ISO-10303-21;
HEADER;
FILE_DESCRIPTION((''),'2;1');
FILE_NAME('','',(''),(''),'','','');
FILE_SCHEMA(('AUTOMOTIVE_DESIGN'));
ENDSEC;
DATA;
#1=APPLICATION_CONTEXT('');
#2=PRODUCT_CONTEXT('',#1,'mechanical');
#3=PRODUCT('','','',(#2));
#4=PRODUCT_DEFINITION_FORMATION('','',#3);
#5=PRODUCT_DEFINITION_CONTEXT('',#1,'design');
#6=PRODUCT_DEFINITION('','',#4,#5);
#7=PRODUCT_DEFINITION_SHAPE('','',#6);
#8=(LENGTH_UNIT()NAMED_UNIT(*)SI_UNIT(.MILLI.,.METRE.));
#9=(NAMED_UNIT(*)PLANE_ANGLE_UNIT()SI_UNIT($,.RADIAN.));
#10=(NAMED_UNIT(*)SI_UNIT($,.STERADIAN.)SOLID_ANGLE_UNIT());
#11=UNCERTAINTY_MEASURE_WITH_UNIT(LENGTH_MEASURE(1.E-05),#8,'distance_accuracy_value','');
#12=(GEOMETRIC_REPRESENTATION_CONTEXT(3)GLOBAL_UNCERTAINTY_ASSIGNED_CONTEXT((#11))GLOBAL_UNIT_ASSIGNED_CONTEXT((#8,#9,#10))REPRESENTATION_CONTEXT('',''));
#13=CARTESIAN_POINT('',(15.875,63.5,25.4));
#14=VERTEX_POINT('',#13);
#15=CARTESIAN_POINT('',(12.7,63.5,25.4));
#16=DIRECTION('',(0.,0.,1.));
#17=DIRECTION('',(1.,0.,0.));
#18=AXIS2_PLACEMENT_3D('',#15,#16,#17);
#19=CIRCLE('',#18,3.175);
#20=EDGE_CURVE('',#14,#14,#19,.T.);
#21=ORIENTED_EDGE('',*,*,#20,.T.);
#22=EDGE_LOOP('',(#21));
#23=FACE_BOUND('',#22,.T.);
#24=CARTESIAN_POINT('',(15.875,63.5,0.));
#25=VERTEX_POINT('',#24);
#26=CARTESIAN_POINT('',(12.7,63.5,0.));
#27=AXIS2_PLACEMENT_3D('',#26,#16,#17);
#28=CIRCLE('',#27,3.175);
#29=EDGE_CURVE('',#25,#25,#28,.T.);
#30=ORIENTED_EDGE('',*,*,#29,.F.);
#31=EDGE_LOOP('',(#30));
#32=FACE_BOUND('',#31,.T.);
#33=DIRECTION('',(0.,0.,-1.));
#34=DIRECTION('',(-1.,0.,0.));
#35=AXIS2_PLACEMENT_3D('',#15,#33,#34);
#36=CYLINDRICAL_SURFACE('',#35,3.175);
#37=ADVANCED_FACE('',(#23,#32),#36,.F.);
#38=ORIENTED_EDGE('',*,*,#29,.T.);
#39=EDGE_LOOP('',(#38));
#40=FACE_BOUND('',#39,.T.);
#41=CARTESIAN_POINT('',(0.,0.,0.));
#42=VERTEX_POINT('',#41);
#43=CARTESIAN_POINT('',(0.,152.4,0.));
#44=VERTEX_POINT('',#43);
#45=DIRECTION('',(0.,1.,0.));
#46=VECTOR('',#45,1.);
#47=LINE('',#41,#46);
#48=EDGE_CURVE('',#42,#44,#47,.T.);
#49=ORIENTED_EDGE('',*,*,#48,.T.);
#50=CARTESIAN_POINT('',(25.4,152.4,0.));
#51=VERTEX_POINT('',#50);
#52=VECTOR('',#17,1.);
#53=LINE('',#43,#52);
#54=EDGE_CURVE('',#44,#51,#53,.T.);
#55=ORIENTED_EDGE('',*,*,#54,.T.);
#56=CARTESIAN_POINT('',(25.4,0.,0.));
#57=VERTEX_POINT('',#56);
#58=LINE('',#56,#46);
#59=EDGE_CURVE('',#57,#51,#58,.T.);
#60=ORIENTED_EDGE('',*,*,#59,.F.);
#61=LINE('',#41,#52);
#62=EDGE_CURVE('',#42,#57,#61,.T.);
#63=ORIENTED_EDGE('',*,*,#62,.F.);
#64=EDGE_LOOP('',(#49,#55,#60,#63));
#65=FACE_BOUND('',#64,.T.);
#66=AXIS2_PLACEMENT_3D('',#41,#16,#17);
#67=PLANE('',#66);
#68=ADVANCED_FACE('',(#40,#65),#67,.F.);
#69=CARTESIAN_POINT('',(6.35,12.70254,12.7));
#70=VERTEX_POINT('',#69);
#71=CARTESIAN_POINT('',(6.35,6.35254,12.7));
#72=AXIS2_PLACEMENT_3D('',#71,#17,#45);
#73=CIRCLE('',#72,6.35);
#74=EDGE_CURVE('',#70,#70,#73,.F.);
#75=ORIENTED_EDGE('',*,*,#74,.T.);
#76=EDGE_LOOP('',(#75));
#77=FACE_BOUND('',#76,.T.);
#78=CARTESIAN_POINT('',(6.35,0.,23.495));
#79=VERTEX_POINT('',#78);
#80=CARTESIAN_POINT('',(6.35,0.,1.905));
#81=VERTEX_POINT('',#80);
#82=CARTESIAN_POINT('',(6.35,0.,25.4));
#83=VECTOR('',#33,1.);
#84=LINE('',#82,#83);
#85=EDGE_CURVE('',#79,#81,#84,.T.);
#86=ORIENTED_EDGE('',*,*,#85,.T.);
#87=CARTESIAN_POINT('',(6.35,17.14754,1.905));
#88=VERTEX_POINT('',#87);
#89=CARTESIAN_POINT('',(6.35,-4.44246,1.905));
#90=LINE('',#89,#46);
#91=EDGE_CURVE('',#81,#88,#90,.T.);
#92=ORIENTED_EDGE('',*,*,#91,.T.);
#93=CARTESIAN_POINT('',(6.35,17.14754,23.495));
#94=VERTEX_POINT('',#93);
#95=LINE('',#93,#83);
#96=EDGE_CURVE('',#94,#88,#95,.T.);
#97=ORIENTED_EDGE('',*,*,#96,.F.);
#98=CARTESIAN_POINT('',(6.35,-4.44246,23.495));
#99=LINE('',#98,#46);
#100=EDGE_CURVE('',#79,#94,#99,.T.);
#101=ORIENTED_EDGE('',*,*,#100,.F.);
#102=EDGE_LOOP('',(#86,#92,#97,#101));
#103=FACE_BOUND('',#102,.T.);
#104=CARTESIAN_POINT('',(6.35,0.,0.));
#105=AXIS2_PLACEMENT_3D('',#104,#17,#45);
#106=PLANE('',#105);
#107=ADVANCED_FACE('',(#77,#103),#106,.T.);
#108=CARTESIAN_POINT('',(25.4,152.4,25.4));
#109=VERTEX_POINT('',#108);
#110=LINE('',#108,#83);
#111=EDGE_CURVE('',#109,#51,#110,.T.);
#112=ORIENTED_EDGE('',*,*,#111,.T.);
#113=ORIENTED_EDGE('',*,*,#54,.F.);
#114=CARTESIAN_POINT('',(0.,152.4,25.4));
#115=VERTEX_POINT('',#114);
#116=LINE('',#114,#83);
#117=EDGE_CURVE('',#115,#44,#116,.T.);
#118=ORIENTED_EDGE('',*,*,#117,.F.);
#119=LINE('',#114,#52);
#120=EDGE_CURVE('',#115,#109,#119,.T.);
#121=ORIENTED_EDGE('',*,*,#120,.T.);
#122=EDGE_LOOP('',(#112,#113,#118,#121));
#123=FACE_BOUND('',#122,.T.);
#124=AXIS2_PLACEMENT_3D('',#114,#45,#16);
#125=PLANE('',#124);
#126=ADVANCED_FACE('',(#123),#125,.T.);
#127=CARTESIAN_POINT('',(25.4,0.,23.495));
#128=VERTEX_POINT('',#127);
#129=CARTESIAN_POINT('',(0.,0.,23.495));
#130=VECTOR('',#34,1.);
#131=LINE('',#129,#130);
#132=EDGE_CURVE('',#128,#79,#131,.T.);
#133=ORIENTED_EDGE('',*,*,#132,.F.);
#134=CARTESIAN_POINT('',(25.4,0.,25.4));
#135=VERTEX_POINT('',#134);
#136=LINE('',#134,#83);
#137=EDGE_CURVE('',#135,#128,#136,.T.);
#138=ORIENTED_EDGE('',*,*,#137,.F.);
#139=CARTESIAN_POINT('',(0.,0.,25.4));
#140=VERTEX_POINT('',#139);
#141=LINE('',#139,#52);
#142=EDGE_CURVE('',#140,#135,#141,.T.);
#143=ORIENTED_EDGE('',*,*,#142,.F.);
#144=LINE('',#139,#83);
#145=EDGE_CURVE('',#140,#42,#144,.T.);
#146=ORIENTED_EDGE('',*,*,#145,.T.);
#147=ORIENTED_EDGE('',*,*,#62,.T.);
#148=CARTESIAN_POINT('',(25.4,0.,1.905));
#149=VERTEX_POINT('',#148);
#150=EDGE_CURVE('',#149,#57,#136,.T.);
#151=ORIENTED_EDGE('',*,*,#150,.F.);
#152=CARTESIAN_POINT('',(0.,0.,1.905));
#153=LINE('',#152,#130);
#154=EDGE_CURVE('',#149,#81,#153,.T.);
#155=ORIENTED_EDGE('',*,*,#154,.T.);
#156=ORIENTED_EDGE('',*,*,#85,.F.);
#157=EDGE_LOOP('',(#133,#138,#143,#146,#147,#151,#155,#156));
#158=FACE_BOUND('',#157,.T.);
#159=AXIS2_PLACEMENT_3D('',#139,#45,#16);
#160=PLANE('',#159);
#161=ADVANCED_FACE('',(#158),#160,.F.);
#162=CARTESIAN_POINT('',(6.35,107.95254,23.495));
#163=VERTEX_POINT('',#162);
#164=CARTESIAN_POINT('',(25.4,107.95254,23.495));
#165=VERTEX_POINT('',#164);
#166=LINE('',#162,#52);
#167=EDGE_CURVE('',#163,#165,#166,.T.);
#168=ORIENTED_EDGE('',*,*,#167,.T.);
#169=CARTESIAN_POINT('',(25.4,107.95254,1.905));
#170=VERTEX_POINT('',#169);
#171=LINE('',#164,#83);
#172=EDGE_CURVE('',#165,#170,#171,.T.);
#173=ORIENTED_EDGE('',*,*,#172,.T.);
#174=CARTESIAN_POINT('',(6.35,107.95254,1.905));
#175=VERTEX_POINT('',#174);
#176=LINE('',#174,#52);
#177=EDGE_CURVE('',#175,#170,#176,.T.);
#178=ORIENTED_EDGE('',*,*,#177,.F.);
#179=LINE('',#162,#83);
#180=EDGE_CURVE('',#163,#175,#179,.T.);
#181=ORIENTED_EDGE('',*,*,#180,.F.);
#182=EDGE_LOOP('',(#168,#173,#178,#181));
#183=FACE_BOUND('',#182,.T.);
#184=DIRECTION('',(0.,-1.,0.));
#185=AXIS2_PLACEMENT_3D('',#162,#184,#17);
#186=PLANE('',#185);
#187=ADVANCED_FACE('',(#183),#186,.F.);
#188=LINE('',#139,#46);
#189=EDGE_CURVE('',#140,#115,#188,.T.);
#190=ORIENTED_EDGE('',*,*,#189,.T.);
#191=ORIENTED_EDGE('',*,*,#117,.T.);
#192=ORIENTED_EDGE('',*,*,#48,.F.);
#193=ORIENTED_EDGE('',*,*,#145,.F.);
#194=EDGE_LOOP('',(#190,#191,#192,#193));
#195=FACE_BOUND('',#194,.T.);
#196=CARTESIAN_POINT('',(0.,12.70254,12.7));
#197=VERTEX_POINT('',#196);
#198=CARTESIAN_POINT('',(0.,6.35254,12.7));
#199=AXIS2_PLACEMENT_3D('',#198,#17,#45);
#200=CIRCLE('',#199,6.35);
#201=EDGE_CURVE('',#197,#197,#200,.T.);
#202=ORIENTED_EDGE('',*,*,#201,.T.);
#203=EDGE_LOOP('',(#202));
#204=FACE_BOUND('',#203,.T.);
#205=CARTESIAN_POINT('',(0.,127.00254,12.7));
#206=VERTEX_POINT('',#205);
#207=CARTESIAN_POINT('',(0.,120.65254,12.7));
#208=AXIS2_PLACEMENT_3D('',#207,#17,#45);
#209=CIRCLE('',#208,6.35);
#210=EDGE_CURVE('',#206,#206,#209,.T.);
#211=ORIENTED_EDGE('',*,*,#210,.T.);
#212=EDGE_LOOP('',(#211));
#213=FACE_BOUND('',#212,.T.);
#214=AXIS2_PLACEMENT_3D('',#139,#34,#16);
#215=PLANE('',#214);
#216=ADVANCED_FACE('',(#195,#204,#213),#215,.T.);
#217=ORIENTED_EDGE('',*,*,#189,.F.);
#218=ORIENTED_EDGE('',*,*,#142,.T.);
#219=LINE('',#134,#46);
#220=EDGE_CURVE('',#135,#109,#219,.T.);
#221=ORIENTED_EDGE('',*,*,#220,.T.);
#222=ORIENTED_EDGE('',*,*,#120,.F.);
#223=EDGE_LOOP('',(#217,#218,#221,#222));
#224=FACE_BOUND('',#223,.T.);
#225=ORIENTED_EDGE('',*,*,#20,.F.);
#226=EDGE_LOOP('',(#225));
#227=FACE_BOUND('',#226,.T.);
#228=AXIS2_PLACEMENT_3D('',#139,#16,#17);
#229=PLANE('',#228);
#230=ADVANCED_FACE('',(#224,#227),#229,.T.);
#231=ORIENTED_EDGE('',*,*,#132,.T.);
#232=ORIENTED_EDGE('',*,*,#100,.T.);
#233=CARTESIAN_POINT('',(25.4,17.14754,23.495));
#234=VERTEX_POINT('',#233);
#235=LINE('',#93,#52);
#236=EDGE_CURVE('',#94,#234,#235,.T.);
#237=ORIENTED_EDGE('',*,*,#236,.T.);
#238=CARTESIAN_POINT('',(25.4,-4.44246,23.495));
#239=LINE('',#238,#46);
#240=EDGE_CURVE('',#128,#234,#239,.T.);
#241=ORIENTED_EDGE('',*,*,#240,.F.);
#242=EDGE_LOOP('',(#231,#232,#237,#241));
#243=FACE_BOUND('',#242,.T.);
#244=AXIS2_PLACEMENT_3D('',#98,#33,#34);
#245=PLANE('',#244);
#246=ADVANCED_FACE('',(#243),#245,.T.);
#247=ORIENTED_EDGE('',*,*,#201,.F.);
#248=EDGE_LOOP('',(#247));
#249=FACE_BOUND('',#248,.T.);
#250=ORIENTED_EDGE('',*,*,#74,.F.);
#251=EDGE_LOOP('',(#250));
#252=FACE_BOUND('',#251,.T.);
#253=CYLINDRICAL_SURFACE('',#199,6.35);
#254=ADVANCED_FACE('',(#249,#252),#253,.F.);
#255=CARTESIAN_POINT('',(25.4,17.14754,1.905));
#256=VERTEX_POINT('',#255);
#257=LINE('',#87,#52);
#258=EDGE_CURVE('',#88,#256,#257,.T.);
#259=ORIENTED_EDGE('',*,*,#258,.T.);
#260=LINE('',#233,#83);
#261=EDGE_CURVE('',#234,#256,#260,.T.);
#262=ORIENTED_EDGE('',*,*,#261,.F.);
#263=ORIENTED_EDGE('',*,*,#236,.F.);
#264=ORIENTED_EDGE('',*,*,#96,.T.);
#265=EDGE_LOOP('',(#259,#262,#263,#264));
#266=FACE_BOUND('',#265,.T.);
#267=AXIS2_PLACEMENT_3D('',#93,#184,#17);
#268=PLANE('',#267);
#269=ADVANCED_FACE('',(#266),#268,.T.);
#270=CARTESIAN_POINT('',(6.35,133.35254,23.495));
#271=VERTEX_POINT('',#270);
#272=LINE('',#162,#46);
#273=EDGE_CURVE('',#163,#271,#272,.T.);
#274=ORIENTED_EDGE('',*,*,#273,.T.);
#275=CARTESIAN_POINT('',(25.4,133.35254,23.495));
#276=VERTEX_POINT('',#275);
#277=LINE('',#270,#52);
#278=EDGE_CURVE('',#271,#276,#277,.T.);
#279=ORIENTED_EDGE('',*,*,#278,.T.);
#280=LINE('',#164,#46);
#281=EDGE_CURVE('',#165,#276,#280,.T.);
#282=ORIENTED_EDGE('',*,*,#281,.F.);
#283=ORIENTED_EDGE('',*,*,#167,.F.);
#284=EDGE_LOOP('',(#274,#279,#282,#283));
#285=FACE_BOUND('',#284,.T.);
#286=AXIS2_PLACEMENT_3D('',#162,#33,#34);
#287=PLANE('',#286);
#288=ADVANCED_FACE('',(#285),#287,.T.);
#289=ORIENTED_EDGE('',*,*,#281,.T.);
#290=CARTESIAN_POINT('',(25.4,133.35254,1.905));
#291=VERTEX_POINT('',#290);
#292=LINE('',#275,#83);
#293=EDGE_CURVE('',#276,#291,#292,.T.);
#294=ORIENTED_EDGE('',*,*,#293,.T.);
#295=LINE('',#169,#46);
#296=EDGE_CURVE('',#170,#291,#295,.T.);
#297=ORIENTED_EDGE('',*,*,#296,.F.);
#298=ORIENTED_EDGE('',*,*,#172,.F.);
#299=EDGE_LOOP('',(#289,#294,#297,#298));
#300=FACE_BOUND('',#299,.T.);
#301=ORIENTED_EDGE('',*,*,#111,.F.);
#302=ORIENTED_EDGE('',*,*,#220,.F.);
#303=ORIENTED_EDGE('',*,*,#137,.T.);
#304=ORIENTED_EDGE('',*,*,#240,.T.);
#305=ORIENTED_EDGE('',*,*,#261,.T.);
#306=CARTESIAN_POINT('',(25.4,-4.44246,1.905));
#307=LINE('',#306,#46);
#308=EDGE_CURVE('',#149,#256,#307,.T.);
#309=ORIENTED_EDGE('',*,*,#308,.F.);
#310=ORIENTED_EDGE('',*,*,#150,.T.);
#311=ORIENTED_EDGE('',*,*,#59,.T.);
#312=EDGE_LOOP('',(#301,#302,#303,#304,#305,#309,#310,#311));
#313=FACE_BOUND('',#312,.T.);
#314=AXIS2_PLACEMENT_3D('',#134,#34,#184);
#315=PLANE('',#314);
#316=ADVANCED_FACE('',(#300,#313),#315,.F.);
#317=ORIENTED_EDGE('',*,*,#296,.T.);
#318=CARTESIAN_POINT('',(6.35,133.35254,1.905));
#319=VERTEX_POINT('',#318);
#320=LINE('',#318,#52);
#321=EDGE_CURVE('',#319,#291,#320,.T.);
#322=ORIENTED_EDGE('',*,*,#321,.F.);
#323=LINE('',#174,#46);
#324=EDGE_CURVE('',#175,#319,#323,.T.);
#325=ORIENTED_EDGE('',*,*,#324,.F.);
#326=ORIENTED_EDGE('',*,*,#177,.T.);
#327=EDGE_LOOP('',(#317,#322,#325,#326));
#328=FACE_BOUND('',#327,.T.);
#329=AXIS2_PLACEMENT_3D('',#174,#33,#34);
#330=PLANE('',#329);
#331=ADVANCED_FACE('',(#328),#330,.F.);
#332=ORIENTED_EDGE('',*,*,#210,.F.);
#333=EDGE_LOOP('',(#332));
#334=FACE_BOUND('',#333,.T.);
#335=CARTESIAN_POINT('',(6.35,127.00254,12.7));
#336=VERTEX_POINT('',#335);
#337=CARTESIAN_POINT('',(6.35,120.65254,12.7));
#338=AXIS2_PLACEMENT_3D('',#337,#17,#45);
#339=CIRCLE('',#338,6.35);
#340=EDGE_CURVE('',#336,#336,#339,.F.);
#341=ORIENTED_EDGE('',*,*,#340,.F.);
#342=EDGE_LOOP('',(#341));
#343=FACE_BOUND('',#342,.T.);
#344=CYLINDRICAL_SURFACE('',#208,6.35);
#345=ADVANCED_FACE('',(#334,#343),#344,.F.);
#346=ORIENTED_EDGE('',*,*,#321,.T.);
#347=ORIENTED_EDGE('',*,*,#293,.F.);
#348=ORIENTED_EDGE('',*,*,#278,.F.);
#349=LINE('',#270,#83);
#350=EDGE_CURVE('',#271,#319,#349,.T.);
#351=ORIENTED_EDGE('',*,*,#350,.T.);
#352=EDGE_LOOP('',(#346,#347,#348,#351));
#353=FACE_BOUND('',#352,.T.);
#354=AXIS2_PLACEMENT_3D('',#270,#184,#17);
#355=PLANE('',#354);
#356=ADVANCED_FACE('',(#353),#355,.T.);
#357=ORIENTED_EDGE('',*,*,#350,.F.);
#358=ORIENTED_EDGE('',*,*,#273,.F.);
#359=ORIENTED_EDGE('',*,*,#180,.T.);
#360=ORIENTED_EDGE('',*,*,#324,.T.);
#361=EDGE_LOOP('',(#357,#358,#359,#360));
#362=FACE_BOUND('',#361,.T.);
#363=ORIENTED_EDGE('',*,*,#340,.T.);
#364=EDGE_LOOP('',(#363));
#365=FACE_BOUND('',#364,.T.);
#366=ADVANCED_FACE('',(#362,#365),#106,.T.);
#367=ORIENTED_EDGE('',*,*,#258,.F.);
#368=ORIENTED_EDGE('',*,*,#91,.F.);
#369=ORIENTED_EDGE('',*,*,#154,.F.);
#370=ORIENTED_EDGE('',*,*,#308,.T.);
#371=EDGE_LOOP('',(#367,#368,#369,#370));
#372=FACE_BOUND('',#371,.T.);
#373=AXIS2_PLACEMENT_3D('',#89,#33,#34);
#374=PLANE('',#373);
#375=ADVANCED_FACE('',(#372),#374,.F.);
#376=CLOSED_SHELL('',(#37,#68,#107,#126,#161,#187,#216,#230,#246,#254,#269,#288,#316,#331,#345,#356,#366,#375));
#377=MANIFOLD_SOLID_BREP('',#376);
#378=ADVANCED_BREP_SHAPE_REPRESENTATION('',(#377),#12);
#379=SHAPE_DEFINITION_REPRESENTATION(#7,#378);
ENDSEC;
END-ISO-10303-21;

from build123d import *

# Parameters (mm, degrees)
SKETCH1_W           = 25.4
SKETCH1_H           = 152.4
SKETCH1_R           = 3.175
BOSS_EXTRUDE1_DEPTH = 25.4
SKETCH3_R           = 6.35
CUT_EXTRUDE5_DEPTH  = 26.4
SKETCH5_W           = 21.59
SKETCH5_H           = 21.59
SKETCH5_H_2         = 25.4
CUT_EXTRUDE6_DEPTH  = 19.05


with BuildPart() as part:
    # Sketch1 → Boss-Extrude1 (new body)
    with BuildSketch(Plane.XY):
        with Locations((12.7, 76.2)):
            Rectangle(SKETCH1_W, SKETCH1_H)
        with Locations((12.7, 63.5)):
            Circle(SKETCH1_R, mode=Mode.SUBTRACT)
    extrude(amount=BOSS_EXTRUDE1_DEPTH)

    # Sketch3 → Cut-Extrude5 (cut, through all)
    with BuildSketch(Plane(origin=(25.4, 0, 0), x_dir=(0, 0, -1), z_dir=(1, 0, 0))):
        with Locations((-12.7, 120.65254)):
            Circle(SKETCH3_R)
        with Locations((-12.7, 6.35254)):
            Circle(SKETCH3_R)
    extrude(amount=-CUT_EXTRUDE5_DEPTH, mode=Mode.SUBTRACT)

    # Sketch5 → Cut-Extrude6 (cut)
    with BuildSketch(Plane(origin=(25.4, 0, 0), x_dir=(0, 0, -1), z_dir=(1, 0, 0))):
        with Locations((-12.7, 6.35254)):
            Rectangle(SKETCH5_W, SKETCH5_H)
        with Locations((-12.7, 120.65254)):
            Rectangle(SKETCH5_W, SKETCH5_H_2)
    extrude(amount=-CUT_EXTRUDE6_DEPTH, mode=Mode.SUBTRACT)


solid = part.part
